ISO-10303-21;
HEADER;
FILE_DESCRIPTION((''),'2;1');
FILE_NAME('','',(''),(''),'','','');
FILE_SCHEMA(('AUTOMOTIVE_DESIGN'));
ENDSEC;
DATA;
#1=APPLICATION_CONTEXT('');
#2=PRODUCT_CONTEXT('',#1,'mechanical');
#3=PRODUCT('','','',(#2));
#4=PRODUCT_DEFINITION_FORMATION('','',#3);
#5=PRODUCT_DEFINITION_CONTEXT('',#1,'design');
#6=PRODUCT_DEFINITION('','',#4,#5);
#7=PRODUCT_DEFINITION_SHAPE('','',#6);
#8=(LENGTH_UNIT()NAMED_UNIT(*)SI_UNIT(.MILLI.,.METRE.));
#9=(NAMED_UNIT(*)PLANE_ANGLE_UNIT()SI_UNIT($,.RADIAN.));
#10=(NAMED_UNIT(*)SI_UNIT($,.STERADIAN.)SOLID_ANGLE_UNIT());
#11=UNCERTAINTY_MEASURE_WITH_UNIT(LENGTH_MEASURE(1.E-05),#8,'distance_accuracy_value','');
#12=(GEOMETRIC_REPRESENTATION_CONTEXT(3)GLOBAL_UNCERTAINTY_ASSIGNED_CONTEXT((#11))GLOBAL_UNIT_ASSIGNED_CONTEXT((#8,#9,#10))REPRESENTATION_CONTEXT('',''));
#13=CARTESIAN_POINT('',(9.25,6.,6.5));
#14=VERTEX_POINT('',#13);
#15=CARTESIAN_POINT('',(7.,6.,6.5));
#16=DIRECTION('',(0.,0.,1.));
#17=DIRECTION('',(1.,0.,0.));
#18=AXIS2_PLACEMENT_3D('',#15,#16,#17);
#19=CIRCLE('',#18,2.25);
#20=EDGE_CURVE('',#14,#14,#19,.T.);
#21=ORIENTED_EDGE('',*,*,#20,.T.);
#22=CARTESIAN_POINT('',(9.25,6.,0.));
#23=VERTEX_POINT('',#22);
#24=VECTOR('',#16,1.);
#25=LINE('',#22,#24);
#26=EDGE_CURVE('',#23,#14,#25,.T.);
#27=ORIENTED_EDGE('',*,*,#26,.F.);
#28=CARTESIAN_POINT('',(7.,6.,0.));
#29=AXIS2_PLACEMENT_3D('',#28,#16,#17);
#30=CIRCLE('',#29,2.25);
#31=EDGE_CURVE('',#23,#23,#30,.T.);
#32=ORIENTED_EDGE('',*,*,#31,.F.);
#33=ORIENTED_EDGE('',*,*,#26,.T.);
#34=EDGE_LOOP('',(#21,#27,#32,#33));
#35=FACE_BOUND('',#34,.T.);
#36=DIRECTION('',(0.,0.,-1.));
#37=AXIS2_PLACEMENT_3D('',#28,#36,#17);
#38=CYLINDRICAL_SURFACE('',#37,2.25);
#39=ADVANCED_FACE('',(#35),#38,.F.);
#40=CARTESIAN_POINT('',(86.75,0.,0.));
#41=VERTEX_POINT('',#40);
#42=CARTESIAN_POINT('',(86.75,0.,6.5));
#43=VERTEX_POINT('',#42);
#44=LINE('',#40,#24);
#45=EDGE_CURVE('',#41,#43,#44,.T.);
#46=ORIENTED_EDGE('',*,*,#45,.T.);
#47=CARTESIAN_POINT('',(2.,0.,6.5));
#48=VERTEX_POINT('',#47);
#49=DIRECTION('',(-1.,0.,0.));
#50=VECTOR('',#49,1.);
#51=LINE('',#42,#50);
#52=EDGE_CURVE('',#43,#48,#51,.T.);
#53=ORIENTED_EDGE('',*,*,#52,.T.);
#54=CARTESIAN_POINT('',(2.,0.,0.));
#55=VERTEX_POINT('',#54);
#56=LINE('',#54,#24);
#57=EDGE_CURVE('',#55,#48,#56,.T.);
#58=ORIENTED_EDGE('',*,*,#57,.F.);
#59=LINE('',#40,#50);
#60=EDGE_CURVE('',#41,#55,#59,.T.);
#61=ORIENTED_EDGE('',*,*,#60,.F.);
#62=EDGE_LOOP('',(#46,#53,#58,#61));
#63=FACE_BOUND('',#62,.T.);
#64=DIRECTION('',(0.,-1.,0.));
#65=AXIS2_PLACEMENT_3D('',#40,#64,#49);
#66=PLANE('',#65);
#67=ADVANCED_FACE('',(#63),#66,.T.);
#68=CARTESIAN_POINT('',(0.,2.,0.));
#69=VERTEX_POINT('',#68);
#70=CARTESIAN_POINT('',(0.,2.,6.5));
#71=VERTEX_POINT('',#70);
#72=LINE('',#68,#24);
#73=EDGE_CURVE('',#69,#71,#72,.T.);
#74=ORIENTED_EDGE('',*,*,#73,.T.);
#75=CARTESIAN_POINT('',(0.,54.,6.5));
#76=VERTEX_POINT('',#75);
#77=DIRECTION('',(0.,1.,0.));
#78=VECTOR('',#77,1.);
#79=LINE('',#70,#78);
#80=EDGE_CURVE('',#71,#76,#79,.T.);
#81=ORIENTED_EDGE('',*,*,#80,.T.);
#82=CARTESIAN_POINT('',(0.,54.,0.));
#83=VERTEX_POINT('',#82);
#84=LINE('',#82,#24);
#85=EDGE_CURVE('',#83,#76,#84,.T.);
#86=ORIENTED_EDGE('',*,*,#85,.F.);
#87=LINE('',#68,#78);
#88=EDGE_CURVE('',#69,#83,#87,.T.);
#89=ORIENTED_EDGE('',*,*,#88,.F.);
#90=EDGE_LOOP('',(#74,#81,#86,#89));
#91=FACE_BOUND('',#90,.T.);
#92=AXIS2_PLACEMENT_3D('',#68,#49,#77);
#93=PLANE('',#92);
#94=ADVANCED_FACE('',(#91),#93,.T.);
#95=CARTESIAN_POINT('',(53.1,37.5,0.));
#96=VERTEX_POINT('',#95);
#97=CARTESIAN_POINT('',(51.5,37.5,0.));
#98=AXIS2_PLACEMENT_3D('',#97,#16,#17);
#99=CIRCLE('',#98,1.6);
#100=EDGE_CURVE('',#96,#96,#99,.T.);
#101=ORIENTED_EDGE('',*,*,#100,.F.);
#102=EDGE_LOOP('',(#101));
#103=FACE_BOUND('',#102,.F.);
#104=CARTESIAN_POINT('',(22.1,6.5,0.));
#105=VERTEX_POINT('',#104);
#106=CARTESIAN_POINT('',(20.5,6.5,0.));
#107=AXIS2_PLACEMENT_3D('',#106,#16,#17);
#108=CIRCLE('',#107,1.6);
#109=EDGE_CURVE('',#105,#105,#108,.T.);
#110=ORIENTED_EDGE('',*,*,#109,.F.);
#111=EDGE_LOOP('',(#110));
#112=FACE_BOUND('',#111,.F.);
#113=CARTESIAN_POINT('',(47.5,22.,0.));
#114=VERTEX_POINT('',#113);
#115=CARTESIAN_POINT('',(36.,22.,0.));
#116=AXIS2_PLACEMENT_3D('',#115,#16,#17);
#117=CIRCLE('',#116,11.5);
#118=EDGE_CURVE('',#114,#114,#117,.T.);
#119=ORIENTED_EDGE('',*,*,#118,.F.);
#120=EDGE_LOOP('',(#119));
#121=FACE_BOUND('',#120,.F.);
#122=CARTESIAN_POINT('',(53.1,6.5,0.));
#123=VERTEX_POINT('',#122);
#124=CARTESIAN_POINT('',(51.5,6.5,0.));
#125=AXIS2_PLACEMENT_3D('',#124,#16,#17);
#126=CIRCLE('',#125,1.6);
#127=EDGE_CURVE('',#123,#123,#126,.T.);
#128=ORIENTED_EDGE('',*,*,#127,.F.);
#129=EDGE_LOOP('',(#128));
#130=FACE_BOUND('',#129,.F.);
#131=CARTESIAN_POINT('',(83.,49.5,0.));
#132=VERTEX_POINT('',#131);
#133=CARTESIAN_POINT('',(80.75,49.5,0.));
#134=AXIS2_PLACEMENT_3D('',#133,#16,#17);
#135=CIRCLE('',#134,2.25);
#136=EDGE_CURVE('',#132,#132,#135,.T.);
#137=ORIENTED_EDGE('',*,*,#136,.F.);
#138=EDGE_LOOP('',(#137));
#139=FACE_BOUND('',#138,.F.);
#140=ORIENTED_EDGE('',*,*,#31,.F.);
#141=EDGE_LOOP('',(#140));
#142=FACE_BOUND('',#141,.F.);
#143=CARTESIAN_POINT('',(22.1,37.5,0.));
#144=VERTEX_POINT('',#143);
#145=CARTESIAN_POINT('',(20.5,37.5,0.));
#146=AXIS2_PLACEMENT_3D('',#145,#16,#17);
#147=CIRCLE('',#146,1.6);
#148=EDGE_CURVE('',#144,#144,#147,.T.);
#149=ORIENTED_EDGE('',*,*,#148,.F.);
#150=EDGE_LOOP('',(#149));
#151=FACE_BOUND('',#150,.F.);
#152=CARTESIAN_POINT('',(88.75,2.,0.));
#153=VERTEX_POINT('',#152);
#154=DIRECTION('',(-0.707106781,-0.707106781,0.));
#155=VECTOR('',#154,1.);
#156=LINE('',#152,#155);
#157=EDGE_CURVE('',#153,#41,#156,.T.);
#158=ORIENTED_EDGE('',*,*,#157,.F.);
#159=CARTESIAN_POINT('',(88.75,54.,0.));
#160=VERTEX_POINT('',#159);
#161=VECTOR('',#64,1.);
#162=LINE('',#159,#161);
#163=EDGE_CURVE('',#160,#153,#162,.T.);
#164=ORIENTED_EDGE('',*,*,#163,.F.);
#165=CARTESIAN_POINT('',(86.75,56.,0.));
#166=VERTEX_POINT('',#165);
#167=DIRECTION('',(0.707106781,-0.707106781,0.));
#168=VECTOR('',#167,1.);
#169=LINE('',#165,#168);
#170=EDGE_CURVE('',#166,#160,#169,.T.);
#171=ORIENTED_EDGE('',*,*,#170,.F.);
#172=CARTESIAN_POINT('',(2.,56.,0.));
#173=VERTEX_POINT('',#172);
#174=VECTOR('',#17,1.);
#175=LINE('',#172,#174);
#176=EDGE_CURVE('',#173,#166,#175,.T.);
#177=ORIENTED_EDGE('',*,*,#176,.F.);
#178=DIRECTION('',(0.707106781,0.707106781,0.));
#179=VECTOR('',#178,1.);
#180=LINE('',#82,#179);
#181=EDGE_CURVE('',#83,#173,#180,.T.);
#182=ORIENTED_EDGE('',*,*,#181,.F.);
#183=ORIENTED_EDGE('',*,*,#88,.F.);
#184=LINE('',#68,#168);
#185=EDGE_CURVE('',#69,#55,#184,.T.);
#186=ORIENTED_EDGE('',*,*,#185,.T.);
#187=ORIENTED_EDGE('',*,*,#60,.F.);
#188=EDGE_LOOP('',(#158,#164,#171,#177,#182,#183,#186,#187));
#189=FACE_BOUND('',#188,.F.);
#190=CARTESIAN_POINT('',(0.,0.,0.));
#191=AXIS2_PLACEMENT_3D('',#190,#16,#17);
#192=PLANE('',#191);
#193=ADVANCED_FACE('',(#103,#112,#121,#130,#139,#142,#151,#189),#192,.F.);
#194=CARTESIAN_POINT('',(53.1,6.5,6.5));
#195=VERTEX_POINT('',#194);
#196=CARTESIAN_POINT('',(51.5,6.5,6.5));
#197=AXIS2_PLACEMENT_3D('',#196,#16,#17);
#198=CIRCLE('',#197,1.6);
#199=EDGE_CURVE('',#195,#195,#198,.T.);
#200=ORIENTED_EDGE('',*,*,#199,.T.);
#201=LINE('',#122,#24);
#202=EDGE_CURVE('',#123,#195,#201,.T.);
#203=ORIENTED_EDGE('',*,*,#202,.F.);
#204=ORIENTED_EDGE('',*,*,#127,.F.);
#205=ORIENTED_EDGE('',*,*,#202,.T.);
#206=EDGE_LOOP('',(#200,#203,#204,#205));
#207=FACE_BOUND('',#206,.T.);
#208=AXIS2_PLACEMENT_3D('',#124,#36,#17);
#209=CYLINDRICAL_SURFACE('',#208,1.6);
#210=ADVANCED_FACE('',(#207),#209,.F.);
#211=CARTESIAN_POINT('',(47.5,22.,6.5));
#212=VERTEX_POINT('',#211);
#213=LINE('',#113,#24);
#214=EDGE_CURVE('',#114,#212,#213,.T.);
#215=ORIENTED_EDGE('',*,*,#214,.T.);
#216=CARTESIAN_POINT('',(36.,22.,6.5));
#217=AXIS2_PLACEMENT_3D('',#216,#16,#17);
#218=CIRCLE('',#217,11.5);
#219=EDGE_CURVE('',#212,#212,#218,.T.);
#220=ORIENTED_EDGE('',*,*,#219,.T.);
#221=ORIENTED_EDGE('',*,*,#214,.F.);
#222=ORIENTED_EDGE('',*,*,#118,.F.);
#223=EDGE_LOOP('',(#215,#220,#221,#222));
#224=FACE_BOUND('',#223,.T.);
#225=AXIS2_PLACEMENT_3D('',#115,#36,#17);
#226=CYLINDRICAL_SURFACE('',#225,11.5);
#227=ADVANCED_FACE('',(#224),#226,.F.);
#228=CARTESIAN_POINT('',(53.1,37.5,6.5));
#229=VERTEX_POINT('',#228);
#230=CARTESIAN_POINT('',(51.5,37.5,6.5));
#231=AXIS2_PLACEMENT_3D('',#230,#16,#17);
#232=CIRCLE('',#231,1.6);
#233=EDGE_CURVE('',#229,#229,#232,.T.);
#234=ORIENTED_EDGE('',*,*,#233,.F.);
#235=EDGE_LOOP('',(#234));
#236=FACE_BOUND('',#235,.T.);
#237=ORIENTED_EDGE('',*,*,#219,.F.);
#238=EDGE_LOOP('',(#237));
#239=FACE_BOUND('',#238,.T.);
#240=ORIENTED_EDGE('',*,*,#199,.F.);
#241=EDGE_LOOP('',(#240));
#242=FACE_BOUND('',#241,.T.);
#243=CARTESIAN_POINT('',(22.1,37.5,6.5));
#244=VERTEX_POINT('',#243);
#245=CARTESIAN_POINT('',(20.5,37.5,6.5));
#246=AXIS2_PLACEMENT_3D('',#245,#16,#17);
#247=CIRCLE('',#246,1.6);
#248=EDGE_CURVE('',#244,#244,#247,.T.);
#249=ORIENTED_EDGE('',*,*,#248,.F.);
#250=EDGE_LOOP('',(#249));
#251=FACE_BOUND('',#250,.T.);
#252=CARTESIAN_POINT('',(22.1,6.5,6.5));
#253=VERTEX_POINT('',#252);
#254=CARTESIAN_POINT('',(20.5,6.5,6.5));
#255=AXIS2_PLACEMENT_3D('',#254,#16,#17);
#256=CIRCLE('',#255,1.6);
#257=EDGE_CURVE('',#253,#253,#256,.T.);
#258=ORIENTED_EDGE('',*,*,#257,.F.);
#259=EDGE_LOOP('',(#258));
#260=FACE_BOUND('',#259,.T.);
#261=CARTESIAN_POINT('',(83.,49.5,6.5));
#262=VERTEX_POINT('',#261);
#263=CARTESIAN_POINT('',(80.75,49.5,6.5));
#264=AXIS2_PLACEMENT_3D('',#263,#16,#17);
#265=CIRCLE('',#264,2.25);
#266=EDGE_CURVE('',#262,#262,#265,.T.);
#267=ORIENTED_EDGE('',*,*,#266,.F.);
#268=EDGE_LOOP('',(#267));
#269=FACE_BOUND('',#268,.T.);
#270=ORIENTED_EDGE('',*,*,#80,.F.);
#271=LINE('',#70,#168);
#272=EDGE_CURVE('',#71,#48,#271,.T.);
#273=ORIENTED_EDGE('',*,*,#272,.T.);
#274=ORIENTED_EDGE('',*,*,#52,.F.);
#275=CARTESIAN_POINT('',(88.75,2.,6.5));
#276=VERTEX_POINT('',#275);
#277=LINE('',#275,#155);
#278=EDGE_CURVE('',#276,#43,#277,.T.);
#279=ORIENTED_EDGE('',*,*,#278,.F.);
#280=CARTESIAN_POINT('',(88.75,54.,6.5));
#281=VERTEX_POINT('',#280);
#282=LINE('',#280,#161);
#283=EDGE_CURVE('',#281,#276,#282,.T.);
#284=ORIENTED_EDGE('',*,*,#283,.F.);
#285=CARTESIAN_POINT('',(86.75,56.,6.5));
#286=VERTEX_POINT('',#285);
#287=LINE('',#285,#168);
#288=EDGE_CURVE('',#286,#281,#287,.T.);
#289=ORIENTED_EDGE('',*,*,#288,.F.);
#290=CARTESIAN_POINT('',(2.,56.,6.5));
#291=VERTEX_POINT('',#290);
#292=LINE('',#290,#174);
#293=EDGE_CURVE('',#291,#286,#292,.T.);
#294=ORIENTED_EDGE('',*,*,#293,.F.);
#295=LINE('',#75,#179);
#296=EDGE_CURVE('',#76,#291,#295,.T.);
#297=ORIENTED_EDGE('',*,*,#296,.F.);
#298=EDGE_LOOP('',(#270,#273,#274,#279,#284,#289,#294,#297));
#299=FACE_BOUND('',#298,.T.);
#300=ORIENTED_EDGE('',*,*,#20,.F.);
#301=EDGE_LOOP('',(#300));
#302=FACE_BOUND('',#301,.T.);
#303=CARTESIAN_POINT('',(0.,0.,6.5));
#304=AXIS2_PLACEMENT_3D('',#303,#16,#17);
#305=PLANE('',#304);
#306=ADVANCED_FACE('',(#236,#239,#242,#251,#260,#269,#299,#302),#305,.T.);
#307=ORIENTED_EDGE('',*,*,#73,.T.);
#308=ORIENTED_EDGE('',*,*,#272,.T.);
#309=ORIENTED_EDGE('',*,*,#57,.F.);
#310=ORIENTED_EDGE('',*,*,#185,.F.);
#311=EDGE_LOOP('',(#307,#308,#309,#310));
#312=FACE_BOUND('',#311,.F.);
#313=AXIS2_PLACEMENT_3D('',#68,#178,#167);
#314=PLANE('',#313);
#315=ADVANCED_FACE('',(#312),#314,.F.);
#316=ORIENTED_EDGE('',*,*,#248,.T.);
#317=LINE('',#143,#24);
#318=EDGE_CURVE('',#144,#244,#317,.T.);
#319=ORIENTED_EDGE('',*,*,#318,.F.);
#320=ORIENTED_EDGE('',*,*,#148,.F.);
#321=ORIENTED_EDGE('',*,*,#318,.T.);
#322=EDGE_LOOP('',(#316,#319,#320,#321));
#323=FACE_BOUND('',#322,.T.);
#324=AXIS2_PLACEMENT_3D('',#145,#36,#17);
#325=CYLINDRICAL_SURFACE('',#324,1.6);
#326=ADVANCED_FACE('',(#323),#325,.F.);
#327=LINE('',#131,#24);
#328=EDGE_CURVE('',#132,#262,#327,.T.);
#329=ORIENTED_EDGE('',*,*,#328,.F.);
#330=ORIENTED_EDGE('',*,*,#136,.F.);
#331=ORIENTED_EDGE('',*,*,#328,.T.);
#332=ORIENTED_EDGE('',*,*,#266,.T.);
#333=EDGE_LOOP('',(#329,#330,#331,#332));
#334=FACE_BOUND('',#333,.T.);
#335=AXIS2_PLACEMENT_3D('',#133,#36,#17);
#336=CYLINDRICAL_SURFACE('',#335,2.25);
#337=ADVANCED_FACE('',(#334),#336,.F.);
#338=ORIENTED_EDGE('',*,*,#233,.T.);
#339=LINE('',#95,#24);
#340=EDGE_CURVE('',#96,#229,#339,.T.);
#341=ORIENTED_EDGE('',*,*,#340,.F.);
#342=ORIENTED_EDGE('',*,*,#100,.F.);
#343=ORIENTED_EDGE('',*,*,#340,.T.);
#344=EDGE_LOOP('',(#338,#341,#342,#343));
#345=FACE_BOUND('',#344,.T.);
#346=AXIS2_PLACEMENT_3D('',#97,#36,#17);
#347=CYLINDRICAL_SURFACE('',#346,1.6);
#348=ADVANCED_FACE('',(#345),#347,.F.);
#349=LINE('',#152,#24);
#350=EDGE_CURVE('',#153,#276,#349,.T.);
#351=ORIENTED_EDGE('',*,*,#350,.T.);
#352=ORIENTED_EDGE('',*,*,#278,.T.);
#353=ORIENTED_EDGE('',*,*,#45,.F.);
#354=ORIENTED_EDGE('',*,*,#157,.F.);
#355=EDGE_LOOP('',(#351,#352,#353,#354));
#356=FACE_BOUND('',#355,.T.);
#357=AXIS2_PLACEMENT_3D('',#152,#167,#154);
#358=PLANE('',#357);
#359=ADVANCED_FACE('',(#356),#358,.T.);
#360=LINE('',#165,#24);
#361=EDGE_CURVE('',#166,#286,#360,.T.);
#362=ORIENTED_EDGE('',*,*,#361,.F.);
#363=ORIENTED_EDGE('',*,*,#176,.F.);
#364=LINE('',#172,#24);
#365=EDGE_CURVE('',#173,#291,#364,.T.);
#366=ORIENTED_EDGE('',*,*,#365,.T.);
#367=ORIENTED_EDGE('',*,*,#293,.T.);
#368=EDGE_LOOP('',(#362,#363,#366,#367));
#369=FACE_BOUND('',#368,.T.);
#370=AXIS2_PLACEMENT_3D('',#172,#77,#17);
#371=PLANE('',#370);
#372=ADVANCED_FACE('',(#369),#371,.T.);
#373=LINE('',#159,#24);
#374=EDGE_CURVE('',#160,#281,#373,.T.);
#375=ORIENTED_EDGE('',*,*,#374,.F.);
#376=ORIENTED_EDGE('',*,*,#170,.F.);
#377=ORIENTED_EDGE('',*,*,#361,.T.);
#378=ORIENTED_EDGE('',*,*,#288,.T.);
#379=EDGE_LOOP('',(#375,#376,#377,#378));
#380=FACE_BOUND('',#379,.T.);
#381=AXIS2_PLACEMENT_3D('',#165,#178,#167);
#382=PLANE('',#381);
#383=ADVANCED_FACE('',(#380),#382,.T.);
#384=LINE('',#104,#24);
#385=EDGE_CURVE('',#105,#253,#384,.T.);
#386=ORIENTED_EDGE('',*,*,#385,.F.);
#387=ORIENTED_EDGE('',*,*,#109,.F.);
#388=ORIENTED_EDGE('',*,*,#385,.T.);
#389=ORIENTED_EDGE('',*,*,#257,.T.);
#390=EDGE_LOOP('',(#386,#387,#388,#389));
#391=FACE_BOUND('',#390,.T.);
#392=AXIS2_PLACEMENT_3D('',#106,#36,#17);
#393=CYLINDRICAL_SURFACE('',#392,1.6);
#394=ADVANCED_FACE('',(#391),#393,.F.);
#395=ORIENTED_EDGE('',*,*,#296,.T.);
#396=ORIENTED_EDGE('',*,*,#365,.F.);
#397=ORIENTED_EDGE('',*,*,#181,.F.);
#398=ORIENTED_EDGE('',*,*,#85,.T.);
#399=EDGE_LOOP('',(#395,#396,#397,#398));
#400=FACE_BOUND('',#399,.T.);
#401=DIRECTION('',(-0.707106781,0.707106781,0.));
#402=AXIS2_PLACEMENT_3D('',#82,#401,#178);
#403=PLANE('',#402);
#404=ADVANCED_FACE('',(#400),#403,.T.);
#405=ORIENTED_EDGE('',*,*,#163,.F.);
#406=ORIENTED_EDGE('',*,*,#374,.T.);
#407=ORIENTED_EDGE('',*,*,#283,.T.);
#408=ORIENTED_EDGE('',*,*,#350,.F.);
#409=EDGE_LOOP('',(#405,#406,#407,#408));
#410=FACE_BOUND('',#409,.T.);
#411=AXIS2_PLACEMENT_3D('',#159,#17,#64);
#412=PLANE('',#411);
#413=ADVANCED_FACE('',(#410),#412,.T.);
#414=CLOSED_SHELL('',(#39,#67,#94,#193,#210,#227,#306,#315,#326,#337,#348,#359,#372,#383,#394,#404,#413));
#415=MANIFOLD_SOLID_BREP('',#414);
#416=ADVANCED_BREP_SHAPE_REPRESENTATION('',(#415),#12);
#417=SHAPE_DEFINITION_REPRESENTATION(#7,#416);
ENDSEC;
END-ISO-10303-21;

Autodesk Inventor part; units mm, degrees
ref_plane "YZ Plane" through (0, 0, 0) normal (1, 0, 0) x (0, 1, 0)
ref_plane "XZ Plane" through (0, 0, 0) normal (0, 1, 0) x (-1, 0, 0)
ref_plane "XY Plane" through (0, 0, 0) normal (0, 0, 1) x (1, 0, 0)
sketch "Sketch1" plane through (0, 0, 0) normal (0, 0, 1) x (1, 0, 0)
  line L0 (20.5, 37.5) -> (51.5, 37.5) construction
  line L1 (51.5, 37.5) -> (51.5, 6.5) construction
  line L2 (51.5, 6.5) -> (20.5, 6.5) construction
  line L3 (20.5, 6.5) -> (20.5, 37.5) construction
  line L4 (14.62, 43.38) -> (57.38, 43.38) construction
  line L5 (57.38, 43.38) -> (57.38, 0.62) construction
  line L6 (57.38, 0.62) -> (14.62, 0.62) construction
  line L7 (14.62, 0.62) -> (14.62, 43.38) construction
  circle A0 centre (20.5, 6.5) radius 1.6
  circle A1 centre (51.5, 6.5) radius 1.6
  circle A2 centre (51.5, 37.5) radius 1.6
  circle A3 centre (20.5, 37.5) radius 1.6
  circle A4 centre (36, 22) radius 11.5
  circle A5 centre (13, 22) radius 4 construction
  circle A6 centre (7, 6) radius 2.25
  circle A7 centre (80.75, 49.5) radius 2.25
  line L8 (2, 56) -> (86.75, 56)
  line L9 (88.75, 54) -> (88.75, 2)
  line L10 (86.75, 0) -> (2, 0)
  line L11 (0, 2) -> (0, 54)
  line L12 (0, 2) -> (2, 0)
  line L13 (0, 54) -> (2, 56)
  line L14 (86.75, 56) -> (88.75, 54)
  line L15 (88.75, 2) -> (86.75, 0)
  circle A8 centre (7, 6) radius 4.5 construction
  circle A9 centre (80.75, 49.5) radius 4.5 construction
  point P0 (0, 0)
  point P1 (36, 37.5)
  point P2 (51.5, 22)
  point P3 (14.62, 22)
  point P4 (36, 43.38)
  point P5 (0, 56)
  point P6 (88.75, 0)
  point P7 (88.75, 56)
  point P8 (0, 0)
  dimension "d0" = 31
  dimension "d1" = 42.76
  dimension "d2" = 3.2
  dimension "d3" = 23
  dimension "d4" = 8
  dimension "d5" = 23
  dimension "d6" = 4.5
  dimension "d7" = 2
  dimension "d8" = 2
  dimension "d9" = 2
  dimension "d10" = 2
  dimension "d11" = 2
  dimension "d12" = 2
  dimension "d13" = 2
  dimension "d14" = 2
  dimension "d15" = 22
  dimension "d16" = 9
  dimension "d17" = 6
  dimension "d18" = 6
  dimension "d19" = 29.25
  dimension "d20" = 12
  dimension "d22" = 36
  dimension "d23" = 34
  dimension "d26" = 8
extrude "Extrusion1" add sketch "Sketch1" along normal blind 6.5
equation "\"d8\" = d7"
equation "\"d9\" = d7"
equation "\"d10\" = d9"
equation "\"d11\" = d7"
equation "\"d12\" = d11"
equation "\"d13\" = d7"
equation "\"d14\" = d13"
properties part number "z_rod_stopper_bottom"
